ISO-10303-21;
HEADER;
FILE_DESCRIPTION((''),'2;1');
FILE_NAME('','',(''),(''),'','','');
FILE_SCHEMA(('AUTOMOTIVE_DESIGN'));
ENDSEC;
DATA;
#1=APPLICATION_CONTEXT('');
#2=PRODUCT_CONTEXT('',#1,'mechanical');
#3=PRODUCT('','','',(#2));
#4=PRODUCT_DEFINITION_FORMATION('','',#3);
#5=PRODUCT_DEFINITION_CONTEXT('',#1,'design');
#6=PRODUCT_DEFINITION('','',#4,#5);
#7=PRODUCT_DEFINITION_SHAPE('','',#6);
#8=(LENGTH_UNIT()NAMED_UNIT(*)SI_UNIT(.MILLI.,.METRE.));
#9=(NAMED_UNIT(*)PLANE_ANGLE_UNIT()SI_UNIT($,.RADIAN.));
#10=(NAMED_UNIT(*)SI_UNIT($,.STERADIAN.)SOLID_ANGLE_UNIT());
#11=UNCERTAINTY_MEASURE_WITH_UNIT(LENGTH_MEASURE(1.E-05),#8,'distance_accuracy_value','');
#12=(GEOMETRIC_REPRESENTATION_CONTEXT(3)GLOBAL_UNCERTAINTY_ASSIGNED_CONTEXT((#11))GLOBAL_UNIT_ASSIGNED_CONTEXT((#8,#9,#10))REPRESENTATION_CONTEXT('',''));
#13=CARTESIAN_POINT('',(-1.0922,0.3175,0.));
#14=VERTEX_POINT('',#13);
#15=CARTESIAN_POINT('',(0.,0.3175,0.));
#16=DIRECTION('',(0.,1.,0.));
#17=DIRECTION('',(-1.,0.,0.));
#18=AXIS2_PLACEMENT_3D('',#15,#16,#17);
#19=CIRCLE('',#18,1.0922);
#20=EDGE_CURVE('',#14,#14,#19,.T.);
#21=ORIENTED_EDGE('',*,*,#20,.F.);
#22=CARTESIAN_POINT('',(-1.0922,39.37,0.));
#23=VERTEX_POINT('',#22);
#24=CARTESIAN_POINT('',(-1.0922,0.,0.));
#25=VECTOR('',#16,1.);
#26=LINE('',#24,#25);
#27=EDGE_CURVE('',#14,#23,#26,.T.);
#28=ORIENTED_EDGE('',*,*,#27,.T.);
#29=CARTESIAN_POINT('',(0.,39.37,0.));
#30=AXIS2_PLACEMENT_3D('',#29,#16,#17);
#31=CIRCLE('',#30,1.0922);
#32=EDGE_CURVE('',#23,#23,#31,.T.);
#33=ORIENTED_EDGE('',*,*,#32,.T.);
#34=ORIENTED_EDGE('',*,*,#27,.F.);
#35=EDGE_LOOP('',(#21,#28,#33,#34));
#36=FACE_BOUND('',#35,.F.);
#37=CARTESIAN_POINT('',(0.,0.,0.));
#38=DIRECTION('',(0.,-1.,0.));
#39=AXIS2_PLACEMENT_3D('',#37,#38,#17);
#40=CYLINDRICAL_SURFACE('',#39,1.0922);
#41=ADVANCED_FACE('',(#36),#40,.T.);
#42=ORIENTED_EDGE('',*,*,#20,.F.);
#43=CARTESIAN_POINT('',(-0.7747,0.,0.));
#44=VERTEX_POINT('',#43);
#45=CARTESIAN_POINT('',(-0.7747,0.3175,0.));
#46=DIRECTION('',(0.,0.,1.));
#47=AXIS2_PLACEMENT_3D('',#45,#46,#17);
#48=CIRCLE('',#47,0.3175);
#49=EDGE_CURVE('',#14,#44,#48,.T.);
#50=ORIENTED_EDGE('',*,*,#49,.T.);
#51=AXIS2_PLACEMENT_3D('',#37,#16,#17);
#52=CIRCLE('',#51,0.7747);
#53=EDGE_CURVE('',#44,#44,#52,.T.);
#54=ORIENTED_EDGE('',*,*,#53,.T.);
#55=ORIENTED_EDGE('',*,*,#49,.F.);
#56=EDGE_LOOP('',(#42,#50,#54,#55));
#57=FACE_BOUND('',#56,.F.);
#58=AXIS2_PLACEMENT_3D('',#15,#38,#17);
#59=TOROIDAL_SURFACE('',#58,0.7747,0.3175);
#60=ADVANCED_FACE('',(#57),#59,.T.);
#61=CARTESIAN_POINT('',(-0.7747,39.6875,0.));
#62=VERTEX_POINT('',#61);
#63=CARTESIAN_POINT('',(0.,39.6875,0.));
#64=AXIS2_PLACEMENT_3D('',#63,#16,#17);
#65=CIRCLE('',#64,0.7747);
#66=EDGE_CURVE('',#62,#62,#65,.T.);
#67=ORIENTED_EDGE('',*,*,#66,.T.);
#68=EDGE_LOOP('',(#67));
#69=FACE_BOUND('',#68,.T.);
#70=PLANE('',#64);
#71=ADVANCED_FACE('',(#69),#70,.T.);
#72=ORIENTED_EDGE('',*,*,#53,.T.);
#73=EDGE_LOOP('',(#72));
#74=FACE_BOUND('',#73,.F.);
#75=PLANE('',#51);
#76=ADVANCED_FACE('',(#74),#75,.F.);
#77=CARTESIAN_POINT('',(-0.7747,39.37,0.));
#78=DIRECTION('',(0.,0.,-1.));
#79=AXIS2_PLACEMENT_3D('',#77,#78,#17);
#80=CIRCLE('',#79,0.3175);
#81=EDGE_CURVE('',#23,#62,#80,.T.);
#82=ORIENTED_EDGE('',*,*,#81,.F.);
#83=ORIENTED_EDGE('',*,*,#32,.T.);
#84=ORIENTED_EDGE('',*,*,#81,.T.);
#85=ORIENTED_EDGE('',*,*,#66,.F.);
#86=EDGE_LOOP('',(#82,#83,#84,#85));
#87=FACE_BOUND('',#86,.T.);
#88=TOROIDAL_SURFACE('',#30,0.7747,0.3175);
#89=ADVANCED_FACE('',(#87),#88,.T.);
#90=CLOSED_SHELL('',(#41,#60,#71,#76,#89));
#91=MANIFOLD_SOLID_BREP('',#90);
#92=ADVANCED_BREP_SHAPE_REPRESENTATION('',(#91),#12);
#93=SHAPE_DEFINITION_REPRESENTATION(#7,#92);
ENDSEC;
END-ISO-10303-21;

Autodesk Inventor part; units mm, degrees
ref_plane "YZ Plane" through (0, 0, 0) normal (1, 0, 0) x (0, 1, 0)
ref_plane "XZ Plane" through (0, 0, 0) normal (0, 1, 0) x (-1, 0, 0)
ref_plane "XY Plane" through (0, 0, 0) normal (0, 0, 1) x (1, 0, 0)
sketch "Sketch1" plane through (0, 0, 0) normal (0, 1, 0) x (-1, 0, 0)
  circle A0 centre (0, 0) radius 1.0922
  dimension "d0" = 2.1844
extrude "Extrusion1" add sketch "Sketch1" along normal blind 39.6875
thread "Thread1" size "2-56 UNC" class "2A" standard "ANSI Unified Screw Threads" length 4.7625
thread "Thread2" size "2-56 UNC" class "2A" standard "ANSI Unified Screw Threads" length 5.5563
fillet "Fillet1" radius 0.3175 2 edges at (1.0922, 39.6875, 0) (1.0922, 0, 0)
properties part number "studs" material "Silver"
